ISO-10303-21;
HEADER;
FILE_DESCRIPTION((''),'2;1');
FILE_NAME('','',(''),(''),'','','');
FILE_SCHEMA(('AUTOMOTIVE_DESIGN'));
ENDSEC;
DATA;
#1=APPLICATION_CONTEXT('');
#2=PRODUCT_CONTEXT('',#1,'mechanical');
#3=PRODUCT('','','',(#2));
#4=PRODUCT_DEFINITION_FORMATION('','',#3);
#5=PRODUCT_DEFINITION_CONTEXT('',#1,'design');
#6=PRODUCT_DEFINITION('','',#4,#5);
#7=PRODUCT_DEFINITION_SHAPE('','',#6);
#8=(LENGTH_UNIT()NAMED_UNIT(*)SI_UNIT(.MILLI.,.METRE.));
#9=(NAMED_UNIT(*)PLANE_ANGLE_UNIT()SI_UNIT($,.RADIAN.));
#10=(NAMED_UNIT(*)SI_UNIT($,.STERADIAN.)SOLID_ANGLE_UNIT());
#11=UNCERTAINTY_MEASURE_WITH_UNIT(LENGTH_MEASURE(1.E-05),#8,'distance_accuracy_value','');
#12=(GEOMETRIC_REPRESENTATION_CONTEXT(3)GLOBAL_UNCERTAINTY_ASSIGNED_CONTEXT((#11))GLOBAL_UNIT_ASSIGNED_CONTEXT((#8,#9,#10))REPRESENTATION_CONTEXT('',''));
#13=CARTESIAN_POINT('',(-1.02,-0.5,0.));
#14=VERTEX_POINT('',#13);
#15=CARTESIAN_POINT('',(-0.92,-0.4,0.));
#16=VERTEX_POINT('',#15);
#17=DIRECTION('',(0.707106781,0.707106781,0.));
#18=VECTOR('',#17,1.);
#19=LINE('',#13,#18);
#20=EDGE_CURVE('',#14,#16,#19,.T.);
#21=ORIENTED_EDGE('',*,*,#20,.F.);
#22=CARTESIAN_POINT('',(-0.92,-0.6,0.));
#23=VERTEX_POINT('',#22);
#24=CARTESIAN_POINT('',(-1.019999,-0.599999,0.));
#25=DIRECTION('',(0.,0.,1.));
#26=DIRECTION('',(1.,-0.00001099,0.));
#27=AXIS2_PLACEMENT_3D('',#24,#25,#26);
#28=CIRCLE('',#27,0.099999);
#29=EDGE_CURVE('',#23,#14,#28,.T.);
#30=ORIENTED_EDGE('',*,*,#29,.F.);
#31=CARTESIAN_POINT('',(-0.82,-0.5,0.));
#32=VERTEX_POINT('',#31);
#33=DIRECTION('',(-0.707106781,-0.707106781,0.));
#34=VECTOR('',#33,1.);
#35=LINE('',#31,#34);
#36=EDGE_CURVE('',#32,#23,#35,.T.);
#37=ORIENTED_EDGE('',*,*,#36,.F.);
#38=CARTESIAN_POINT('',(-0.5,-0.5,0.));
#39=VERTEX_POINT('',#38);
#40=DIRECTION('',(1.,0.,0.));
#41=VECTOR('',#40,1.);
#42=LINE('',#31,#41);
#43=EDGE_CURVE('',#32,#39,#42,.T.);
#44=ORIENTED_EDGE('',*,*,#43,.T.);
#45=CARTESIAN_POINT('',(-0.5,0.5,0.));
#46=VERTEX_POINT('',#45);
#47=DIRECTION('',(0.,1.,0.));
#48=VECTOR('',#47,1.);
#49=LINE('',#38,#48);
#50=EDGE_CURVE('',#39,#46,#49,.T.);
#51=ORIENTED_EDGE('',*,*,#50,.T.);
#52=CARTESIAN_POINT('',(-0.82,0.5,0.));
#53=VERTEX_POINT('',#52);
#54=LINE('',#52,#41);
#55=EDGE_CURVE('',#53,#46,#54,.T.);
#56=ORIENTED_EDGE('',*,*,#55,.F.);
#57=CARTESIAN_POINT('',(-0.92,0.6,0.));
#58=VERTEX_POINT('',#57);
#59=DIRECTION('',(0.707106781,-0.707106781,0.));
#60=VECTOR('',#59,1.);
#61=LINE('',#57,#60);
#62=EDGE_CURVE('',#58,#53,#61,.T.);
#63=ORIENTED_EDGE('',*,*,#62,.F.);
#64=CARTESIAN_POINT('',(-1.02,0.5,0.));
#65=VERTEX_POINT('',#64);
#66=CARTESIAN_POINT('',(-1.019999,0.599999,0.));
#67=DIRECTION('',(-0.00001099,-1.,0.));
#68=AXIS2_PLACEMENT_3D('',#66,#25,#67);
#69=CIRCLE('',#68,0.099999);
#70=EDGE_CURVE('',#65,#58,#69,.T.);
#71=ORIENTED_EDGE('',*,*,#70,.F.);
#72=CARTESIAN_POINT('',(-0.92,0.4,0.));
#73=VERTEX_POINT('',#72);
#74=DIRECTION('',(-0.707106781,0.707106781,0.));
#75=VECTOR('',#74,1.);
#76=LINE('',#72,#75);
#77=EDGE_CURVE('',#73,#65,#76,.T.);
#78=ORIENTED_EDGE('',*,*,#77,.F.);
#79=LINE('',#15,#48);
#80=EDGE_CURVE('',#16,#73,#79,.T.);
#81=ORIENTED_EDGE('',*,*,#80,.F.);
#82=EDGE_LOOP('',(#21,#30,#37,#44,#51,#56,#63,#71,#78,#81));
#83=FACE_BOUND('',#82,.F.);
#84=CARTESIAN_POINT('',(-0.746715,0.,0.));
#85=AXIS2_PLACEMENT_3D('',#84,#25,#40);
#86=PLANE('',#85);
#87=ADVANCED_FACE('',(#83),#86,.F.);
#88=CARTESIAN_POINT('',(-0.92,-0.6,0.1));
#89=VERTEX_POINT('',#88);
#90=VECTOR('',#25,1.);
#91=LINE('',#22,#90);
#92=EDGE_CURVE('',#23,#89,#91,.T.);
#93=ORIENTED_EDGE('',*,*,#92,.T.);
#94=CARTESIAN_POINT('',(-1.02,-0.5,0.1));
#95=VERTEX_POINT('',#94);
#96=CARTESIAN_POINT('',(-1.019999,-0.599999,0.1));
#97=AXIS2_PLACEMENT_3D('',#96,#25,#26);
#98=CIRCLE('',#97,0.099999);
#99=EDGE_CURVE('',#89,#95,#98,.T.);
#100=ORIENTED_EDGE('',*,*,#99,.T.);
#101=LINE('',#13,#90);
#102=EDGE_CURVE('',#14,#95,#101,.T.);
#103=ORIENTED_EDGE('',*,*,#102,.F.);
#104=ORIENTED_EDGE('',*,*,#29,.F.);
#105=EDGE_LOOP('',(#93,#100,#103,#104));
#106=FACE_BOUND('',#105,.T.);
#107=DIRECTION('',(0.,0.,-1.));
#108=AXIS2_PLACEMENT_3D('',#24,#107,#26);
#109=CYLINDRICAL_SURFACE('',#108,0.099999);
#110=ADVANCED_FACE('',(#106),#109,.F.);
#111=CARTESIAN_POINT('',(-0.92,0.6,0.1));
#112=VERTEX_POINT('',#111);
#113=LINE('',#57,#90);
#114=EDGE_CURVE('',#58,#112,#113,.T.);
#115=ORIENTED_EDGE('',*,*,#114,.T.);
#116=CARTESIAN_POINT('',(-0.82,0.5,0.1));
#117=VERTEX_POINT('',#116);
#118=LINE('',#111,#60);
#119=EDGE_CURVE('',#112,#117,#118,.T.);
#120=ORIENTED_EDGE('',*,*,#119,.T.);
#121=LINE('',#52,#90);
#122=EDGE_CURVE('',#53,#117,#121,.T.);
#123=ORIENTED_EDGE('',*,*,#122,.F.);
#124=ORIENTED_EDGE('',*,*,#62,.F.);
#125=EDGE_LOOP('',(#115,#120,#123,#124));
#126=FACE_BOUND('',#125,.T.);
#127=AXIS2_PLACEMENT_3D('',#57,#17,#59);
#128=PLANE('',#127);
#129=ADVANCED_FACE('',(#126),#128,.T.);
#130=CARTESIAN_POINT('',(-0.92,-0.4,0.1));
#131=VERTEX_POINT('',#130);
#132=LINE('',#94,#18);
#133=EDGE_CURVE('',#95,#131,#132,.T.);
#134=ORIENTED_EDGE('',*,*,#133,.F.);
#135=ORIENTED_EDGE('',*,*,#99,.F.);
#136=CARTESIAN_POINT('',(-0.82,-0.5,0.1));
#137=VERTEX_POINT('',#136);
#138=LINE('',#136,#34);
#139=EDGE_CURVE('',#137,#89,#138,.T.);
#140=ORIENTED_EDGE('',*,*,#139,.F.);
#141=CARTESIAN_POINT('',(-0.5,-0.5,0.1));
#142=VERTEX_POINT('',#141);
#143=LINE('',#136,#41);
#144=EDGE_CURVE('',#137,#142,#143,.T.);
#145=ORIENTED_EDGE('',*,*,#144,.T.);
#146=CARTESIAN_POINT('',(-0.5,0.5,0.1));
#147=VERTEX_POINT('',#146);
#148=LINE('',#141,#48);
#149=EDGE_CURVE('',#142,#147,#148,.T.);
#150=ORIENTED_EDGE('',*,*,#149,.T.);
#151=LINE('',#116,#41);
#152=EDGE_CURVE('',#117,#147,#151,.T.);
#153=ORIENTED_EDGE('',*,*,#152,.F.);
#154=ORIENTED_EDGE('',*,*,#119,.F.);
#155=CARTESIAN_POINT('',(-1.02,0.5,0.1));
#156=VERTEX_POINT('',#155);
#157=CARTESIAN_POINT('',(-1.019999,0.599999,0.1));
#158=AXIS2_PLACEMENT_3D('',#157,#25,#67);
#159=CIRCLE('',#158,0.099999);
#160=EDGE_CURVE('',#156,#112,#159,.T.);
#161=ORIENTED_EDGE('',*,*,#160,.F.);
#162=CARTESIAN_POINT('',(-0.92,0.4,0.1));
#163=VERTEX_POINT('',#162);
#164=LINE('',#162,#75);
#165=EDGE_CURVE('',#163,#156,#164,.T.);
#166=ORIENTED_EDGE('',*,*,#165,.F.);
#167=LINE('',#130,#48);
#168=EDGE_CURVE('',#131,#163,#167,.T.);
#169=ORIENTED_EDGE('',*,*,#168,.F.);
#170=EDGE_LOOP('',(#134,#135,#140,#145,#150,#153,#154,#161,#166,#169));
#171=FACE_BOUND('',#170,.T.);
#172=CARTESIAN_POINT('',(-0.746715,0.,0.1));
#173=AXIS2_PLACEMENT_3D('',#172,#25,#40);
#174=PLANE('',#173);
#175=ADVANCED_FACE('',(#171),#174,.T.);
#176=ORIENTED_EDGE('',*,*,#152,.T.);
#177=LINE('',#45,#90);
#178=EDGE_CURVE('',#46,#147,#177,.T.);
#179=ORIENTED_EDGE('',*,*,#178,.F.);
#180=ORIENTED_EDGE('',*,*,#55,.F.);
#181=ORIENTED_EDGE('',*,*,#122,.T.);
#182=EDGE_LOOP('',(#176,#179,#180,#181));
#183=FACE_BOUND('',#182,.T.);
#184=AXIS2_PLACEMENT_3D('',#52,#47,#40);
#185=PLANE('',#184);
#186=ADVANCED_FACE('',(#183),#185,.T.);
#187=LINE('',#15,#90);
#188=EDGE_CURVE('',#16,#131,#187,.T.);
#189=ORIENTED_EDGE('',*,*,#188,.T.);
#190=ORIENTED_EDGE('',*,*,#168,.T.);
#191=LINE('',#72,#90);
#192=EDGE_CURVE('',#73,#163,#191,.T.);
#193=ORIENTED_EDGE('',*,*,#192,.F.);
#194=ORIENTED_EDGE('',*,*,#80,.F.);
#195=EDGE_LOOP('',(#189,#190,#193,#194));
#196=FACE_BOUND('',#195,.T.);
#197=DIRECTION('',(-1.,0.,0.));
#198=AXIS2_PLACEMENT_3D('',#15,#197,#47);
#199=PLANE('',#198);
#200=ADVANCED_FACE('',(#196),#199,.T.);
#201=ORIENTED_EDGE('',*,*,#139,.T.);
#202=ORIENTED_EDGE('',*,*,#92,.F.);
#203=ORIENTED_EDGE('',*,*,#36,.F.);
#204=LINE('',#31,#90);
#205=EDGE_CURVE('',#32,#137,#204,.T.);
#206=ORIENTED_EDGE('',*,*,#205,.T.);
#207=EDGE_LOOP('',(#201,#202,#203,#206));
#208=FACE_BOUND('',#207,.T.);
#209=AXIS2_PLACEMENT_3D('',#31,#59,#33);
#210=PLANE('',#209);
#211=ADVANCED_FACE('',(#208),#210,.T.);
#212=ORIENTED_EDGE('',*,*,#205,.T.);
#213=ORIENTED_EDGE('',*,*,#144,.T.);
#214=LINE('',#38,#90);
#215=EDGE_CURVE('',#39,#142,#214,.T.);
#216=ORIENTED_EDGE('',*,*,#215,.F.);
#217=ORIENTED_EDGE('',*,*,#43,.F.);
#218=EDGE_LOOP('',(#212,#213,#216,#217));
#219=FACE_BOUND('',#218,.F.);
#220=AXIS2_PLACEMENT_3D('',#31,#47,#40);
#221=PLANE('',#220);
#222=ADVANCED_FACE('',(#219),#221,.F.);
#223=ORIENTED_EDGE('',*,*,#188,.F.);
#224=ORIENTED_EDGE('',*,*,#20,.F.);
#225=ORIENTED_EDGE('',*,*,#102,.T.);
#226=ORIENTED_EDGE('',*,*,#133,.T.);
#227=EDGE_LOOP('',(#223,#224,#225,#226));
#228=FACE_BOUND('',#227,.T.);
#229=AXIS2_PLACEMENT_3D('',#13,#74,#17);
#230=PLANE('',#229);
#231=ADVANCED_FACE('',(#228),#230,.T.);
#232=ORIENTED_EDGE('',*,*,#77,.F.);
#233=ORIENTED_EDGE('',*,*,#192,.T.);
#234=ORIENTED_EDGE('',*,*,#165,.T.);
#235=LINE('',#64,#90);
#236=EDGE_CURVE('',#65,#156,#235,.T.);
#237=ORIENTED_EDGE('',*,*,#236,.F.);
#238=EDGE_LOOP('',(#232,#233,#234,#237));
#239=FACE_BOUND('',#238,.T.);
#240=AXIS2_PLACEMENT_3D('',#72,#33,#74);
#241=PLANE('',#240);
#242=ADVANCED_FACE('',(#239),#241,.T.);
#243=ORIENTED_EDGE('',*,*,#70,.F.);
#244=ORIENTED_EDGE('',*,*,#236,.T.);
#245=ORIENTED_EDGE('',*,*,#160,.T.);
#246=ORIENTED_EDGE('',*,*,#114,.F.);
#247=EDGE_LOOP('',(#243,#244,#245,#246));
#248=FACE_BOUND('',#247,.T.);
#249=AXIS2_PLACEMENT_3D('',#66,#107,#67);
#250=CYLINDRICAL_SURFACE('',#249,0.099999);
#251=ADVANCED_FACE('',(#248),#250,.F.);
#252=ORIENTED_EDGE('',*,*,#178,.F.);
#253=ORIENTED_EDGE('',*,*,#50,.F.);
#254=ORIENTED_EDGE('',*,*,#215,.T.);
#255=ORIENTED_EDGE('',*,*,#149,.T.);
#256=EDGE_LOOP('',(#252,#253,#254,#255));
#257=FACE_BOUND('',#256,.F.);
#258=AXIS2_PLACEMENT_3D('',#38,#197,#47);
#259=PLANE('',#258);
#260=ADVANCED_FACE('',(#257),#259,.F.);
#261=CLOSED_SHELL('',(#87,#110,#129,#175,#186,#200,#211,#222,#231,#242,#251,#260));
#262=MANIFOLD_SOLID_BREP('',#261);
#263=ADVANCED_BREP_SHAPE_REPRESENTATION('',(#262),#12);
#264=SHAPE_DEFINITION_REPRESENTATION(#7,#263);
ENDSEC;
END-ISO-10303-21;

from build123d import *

# Parameters (mm, degrees)
PAD_DEPTH = 0.1


with BuildPart() as part:
    # Sketch → Pad (new body)
    with BuildSketch(Plane.XY):
        with BuildLine():
            Line((-0.5, 0.4), (-0.5, -0.4))
            Line((-0.5, -0.5), (-0.5, -0.4))
            Line((-0.6, -0.5), (-0.5, -0.5))
            Line((-0.6, -0.5), (-0.82, -0.5))
            Line((-0.82, -0.5), (-0.92, -0.6))
            ThreePointArc((-0.92, -0.6), (-0.949289, -0.529289), (-1.02, -0.5))
            Line((-1.02, -0.5), (-0.92, -0.4))
            Line((-0.92, -0.4), (-0.92, 0.4))
            Line((-0.92, 0.4), (-1.02, 0.5))
            ThreePointArc((-1.02, 0.5), (-0.949289, 0.529289), (-0.92, 0.6))
            Line((-0.92, 0.6), (-0.82, 0.5))
            Line((-0.82, 0.5), (-0.6, 0.5))
            Line((-0.6, 0.5), (-0.5, 0.5))
            Line((-0.5, 0.5), (-0.5, 0.4))
        make_face()
    extrude(amount=PAD_DEPTH)


solid = part.part
